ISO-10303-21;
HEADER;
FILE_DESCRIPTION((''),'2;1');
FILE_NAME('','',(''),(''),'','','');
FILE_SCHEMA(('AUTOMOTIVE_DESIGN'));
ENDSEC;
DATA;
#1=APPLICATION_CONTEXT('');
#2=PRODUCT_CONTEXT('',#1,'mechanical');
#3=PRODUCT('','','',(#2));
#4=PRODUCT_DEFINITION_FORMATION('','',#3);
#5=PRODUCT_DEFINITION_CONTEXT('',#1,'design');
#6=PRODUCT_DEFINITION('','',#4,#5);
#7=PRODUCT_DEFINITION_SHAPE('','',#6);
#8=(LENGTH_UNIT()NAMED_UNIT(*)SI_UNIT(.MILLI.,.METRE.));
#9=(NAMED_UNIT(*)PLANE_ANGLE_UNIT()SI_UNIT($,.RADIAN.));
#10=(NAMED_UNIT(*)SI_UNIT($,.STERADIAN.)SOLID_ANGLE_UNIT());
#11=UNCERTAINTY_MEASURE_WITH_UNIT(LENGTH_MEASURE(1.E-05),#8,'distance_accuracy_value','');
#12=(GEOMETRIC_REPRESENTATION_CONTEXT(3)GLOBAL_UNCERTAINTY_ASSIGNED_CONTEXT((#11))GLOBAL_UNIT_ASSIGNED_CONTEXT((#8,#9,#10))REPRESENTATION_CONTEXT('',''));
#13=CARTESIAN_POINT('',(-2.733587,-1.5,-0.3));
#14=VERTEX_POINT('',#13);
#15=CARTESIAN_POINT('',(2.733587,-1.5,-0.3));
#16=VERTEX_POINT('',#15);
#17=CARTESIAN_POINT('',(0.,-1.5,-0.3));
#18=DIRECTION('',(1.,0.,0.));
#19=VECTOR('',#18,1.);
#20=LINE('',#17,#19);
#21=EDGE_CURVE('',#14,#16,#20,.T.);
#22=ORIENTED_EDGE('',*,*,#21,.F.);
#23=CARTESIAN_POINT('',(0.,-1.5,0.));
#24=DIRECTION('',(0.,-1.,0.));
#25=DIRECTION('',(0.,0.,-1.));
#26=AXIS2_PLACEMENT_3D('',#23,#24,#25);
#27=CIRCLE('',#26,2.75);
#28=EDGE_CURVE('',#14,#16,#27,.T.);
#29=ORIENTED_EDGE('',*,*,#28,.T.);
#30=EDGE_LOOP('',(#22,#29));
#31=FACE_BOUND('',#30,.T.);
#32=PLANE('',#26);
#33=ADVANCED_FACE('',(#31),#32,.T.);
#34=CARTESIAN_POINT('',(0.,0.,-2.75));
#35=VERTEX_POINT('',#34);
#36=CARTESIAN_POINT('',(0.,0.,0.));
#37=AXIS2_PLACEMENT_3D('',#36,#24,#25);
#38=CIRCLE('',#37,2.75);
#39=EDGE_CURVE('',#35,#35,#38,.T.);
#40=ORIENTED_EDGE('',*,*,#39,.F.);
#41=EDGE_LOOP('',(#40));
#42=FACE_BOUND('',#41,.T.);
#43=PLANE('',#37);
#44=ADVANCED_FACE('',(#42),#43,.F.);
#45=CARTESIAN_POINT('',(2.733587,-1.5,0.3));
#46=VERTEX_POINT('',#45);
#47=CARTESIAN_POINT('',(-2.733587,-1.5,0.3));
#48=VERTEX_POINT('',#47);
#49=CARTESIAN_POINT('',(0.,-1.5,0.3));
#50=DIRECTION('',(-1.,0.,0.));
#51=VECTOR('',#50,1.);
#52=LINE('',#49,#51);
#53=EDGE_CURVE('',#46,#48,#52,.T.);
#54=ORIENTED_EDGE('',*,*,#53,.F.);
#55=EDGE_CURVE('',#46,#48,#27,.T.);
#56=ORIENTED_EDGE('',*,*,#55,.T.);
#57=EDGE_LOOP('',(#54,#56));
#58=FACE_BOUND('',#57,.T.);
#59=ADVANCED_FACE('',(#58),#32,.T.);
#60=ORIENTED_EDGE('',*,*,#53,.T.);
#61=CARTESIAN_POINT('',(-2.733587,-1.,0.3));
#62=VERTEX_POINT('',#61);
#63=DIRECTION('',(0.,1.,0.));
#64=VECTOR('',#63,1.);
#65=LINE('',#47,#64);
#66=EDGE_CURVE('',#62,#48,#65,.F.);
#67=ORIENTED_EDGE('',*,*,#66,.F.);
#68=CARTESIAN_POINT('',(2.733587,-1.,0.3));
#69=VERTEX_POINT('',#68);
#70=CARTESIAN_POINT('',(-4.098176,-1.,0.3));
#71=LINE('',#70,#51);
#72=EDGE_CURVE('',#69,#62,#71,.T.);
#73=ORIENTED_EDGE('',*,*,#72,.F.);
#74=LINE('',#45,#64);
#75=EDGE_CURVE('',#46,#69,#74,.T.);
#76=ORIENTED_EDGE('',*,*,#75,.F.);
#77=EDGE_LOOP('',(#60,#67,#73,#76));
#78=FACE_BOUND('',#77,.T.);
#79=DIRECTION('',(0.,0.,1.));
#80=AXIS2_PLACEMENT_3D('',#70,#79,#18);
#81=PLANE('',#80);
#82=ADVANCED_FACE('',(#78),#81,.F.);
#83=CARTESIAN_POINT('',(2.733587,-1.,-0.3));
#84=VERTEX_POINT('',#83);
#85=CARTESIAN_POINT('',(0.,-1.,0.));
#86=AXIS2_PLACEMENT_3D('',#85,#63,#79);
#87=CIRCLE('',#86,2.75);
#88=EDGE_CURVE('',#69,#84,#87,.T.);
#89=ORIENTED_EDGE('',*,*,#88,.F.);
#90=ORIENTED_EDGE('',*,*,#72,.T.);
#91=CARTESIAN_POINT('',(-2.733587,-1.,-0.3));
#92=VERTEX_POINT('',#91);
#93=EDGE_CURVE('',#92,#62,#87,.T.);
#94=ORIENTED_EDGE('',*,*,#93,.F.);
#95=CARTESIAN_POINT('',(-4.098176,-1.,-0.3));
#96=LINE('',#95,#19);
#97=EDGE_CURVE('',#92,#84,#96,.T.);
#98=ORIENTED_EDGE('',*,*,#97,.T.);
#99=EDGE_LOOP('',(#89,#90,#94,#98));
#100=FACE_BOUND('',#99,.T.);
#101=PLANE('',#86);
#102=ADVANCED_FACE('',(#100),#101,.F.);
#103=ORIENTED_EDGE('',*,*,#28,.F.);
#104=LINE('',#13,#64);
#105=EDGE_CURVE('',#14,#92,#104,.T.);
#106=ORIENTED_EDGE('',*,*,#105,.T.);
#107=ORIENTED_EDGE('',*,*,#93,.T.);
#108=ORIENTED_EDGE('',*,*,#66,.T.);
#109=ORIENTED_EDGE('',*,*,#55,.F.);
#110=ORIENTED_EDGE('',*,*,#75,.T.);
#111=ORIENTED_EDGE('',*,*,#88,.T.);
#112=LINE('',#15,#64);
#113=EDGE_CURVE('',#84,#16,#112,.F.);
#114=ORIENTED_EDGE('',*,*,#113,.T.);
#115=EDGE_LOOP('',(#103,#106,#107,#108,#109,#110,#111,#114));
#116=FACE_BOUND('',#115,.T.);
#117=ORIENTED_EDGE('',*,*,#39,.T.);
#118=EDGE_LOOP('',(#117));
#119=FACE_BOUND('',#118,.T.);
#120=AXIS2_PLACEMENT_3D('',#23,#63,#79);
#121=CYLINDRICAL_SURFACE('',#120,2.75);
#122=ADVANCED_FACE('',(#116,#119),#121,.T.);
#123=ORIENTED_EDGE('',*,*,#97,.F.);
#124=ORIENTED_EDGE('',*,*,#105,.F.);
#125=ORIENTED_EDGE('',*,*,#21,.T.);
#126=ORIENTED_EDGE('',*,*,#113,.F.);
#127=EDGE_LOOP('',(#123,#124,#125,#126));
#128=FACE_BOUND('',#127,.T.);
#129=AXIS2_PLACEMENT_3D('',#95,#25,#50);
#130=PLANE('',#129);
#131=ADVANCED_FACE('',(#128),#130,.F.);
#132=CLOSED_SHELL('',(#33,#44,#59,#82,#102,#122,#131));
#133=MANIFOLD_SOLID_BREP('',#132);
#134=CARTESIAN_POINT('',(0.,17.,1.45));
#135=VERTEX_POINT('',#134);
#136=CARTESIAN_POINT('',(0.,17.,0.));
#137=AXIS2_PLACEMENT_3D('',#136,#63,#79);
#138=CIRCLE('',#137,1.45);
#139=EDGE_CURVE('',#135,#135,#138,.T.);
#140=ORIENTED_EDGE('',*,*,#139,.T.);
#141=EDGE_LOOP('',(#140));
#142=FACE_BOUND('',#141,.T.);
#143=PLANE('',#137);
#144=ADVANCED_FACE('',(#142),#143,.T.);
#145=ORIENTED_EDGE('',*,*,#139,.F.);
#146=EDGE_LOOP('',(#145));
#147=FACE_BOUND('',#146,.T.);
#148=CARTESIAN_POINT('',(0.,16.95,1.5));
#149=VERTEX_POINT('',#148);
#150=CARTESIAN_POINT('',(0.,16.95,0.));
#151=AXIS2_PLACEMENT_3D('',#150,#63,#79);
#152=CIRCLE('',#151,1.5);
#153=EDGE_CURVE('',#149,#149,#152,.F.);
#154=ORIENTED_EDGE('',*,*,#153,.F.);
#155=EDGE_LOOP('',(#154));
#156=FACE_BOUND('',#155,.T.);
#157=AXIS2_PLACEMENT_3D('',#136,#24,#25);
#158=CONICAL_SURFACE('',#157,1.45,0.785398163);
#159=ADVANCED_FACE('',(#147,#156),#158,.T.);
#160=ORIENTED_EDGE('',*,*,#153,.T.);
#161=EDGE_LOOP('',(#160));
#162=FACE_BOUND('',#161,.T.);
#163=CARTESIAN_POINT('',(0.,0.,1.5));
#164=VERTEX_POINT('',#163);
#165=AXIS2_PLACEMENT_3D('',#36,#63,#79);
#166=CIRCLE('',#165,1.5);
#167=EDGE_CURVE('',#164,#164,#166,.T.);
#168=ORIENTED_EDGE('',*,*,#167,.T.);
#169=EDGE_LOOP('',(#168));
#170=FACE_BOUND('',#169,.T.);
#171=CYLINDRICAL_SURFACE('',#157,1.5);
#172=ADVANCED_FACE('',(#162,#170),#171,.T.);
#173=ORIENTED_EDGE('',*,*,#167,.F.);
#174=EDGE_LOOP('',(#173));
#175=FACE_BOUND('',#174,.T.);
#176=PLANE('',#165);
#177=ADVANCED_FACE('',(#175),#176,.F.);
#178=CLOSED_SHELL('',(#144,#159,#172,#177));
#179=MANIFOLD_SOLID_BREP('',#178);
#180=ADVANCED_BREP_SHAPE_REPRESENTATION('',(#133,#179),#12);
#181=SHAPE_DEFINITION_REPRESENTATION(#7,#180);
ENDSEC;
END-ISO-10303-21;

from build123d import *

# Parameters (mm, degrees)
SKETCH1_R           = 1.5
BOSS_EXTRUDE1_DEPTH = 17
SKETCH2_R           = 2.75
BOSS_EXTRUDE2_DEPTH = 1.5
SKETCH3_W           = 8.196351728
SKETCH3_H           = 0.6
CUT_EXTRUDE1_DEPTH  = 0.5
CHAMFER1_SIZE       = 0.05


with BuildPart() as part:
    # Sketch1 → Boss-Extrude1 (new body)
    with BuildSketch(Plane(origin=(0, 0, 0), x_dir=(1, 0, 0), z_dir=(0, 1, 0))):
        Circle(SKETCH1_R)
    extrude(amount=BOSS_EXTRUDE1_DEPTH)

    # Chamfer1
    chamfer1_edges = [part.edges().sort_by_distance(p)[0] for p in [
        (-1.5, 17, 0),
    ]]
    chamfer(chamfer1_edges, length=CHAMFER1_SIZE)


with BuildPart() as body_2:
    # Sketch2 → Boss-Extrude2 (new body)
    with BuildSketch(Plane.XZ):
        Circle(SKETCH2_R)
    extrude(amount=BOSS_EXTRUDE2_DEPTH)

    # Sketch3 → Cut-Extrude1 (cut)
    with BuildSketch(Plane.XZ.offset(1.5)):
        Rectangle(SKETCH3_W, SKETCH3_H)
    extrude(amount=-CUT_EXTRUDE1_DEPTH, mode=Mode.SUBTRACT)


solid = Compound([part.part, body_2.part])
